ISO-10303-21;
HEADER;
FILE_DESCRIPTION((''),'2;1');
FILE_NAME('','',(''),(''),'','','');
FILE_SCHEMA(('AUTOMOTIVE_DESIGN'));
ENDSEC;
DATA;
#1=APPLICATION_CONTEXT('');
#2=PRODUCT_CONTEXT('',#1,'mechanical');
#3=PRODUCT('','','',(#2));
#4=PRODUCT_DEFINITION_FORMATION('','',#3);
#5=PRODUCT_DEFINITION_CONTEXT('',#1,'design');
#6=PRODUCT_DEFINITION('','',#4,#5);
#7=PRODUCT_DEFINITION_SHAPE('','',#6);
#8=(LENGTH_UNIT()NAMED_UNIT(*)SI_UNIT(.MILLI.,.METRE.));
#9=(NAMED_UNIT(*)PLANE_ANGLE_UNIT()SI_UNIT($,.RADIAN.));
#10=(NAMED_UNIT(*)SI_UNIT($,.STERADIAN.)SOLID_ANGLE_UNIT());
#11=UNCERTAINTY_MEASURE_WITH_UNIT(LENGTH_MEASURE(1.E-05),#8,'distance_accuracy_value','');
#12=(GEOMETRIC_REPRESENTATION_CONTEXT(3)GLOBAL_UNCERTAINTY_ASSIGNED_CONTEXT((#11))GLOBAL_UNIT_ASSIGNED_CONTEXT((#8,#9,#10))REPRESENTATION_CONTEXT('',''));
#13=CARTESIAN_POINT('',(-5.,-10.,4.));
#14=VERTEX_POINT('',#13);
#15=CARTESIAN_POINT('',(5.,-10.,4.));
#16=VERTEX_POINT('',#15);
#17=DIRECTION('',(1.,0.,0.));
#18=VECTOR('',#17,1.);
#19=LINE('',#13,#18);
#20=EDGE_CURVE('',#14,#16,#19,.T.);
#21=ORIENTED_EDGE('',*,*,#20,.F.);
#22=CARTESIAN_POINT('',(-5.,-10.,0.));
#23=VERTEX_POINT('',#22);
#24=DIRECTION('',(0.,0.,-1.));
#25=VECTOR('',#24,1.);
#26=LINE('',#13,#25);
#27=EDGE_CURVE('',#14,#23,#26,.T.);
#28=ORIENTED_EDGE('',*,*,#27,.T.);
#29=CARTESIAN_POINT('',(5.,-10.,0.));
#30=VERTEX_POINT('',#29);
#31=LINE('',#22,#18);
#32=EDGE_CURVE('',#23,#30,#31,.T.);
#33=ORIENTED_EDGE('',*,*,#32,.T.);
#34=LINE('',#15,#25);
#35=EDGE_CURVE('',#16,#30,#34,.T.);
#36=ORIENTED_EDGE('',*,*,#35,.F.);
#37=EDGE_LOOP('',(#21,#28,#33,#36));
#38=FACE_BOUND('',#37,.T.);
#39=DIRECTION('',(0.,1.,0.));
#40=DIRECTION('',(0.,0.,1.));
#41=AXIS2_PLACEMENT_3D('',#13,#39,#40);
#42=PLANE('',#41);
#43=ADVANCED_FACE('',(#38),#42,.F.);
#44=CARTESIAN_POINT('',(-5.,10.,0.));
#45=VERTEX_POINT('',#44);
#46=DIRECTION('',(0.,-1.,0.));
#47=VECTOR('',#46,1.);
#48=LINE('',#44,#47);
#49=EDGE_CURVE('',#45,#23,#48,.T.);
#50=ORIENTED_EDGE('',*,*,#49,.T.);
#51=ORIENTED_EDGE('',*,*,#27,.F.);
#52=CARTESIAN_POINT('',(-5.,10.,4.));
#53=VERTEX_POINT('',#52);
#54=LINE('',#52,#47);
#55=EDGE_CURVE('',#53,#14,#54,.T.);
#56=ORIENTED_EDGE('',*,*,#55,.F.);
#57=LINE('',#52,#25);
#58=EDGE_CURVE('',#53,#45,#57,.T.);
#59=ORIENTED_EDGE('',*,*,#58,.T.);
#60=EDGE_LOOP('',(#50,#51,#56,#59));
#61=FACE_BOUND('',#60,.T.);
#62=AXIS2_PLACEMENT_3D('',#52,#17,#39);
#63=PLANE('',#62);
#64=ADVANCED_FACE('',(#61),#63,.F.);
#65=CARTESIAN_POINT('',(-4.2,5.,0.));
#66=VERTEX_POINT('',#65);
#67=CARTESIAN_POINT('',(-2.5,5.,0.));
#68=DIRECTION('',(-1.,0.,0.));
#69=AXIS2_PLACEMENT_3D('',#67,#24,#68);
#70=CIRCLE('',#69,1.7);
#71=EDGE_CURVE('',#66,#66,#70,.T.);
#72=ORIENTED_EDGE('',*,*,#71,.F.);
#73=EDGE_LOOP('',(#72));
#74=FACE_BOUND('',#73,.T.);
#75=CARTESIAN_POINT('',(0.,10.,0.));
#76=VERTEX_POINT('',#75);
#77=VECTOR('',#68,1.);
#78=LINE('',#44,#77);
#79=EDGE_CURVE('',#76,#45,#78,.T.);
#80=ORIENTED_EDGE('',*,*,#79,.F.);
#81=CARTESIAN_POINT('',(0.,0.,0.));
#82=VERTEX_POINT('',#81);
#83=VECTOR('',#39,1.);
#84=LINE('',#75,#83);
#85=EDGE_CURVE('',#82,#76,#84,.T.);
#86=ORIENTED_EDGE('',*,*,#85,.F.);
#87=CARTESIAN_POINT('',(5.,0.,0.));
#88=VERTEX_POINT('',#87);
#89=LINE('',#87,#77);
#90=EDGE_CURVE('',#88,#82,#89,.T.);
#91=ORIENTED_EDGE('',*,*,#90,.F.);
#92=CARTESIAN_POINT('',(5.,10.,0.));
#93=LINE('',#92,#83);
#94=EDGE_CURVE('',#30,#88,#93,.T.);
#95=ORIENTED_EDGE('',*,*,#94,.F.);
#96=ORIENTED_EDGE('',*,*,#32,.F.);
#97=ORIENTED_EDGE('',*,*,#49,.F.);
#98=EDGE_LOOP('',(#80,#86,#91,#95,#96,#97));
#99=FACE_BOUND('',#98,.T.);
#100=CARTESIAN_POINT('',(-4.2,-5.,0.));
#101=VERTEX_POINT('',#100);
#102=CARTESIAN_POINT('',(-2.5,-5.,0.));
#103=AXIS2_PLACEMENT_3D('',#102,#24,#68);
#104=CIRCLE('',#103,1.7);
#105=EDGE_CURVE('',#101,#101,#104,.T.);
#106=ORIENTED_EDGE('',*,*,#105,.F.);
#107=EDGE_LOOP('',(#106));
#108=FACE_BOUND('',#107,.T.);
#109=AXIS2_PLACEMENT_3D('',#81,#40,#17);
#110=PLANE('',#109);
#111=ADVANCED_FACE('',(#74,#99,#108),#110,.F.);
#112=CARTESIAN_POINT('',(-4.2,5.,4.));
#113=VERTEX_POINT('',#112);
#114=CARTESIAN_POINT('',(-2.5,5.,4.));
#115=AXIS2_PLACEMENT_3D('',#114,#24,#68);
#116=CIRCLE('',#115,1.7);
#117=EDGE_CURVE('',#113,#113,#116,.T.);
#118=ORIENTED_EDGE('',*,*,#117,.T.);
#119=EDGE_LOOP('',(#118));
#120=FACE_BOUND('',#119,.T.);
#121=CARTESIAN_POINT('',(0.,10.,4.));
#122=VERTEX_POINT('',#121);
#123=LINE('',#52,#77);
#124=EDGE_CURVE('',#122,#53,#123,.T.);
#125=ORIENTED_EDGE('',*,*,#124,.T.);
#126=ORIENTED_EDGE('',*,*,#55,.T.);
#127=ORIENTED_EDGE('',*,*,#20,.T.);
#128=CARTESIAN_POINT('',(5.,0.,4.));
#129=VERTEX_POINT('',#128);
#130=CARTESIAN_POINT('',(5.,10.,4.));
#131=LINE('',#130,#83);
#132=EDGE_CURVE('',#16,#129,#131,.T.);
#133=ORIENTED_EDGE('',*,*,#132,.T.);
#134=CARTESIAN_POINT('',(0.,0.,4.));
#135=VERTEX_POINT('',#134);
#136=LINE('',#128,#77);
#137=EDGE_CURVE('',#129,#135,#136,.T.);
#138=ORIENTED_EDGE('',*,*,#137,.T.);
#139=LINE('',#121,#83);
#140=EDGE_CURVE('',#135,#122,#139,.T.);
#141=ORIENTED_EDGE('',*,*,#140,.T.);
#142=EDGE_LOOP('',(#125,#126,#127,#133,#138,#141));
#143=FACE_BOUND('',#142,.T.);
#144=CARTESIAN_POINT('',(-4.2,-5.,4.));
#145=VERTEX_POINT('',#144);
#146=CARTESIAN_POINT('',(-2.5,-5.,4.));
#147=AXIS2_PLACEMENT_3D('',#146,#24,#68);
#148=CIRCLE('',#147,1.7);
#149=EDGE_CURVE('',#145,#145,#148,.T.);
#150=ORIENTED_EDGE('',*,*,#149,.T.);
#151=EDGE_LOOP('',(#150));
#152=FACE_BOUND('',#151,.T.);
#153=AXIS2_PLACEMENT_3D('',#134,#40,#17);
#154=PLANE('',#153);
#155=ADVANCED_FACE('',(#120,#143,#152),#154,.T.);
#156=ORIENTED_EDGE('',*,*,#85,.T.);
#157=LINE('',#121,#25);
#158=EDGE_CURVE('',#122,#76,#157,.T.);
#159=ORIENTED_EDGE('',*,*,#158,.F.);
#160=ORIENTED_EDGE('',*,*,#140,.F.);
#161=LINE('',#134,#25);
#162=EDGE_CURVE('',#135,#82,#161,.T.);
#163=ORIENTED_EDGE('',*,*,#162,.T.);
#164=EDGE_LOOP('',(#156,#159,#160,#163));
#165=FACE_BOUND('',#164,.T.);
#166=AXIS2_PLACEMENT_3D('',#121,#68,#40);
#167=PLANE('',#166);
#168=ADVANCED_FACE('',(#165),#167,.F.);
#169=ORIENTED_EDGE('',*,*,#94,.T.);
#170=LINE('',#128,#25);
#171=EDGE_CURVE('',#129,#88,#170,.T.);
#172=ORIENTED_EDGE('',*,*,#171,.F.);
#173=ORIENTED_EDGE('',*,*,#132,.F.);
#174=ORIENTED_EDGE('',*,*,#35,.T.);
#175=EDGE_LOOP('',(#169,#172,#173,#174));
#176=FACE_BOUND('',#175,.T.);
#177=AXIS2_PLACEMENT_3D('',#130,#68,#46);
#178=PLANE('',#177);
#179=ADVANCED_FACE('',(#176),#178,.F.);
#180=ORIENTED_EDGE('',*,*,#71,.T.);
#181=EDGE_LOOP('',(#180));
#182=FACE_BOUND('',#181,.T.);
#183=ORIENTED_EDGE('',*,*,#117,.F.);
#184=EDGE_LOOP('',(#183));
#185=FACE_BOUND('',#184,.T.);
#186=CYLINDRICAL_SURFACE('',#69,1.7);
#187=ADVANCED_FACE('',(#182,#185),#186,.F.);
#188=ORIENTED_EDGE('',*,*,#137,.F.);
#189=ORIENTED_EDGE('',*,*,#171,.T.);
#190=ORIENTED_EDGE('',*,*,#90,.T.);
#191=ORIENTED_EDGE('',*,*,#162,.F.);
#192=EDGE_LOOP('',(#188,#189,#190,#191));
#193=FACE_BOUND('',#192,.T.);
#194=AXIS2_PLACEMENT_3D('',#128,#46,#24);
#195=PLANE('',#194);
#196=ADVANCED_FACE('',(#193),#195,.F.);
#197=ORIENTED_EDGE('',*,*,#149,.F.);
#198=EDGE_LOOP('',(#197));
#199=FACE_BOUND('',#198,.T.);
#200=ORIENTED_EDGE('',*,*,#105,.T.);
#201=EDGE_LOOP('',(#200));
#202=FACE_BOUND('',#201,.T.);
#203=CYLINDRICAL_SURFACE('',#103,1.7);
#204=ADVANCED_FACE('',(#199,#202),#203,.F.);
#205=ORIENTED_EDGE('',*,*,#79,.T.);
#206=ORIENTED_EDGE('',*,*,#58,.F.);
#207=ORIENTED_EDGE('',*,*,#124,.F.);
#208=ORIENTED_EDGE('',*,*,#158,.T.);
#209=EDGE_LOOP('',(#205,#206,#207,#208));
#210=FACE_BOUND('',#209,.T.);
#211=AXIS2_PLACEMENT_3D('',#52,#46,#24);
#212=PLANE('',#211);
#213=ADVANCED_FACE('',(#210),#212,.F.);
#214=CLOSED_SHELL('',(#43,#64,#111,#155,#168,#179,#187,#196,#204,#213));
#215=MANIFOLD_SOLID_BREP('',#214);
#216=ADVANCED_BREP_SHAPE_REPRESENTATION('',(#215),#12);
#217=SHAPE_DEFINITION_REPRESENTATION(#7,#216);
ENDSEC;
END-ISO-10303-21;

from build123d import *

# Parameters (mm, degrees)
ESQUISSE1_W             = 10
ESQUISSE1_H             = 20
BOSS_EXTRU_1_DEPTH      = 4
D_GAGEMENT_M33_D        = 3.4
ESQUISSE2_W             = 5
ESQUISSE2_H             = 10
ENL_V_MAT_EXTRU_2_DEPTH = 4


with BuildPart() as part:
    # Esquisse1 → Boss.-Extru.1 (new body)
    with BuildSketch(Plane.XY):
        Rectangle(ESQUISSE1_W, ESQUISSE1_H)
    extrude(amount=BOSS_EXTRU_1_DEPTH)

    # Dégagement M33 (through all)
    with Locations(Plane(origin=(0, 0, 0), x_dir=(-1, 0, 0), z_dir=(0, 0, -1))):
        with Locations((2.5, 5), (2.5, -5)):
            Hole(D_GAGEMENT_M33_D / 2)

    # Esquisse2 → Enlèv. mat.-Extru.2 (cut)
    with BuildSketch(Plane(origin=(0, 0, 0), x_dir=(-1, 0, 0), z_dir=(0, 0, -1))):
        with Locations((-2.5, 5)):
            Rectangle(ESQUISSE2_W, ESQUISSE2_H)
    extrude(amount=-ENL_V_MAT_EXTRU_2_DEPTH, mode=Mode.SUBTRACT)


solid = part.part
